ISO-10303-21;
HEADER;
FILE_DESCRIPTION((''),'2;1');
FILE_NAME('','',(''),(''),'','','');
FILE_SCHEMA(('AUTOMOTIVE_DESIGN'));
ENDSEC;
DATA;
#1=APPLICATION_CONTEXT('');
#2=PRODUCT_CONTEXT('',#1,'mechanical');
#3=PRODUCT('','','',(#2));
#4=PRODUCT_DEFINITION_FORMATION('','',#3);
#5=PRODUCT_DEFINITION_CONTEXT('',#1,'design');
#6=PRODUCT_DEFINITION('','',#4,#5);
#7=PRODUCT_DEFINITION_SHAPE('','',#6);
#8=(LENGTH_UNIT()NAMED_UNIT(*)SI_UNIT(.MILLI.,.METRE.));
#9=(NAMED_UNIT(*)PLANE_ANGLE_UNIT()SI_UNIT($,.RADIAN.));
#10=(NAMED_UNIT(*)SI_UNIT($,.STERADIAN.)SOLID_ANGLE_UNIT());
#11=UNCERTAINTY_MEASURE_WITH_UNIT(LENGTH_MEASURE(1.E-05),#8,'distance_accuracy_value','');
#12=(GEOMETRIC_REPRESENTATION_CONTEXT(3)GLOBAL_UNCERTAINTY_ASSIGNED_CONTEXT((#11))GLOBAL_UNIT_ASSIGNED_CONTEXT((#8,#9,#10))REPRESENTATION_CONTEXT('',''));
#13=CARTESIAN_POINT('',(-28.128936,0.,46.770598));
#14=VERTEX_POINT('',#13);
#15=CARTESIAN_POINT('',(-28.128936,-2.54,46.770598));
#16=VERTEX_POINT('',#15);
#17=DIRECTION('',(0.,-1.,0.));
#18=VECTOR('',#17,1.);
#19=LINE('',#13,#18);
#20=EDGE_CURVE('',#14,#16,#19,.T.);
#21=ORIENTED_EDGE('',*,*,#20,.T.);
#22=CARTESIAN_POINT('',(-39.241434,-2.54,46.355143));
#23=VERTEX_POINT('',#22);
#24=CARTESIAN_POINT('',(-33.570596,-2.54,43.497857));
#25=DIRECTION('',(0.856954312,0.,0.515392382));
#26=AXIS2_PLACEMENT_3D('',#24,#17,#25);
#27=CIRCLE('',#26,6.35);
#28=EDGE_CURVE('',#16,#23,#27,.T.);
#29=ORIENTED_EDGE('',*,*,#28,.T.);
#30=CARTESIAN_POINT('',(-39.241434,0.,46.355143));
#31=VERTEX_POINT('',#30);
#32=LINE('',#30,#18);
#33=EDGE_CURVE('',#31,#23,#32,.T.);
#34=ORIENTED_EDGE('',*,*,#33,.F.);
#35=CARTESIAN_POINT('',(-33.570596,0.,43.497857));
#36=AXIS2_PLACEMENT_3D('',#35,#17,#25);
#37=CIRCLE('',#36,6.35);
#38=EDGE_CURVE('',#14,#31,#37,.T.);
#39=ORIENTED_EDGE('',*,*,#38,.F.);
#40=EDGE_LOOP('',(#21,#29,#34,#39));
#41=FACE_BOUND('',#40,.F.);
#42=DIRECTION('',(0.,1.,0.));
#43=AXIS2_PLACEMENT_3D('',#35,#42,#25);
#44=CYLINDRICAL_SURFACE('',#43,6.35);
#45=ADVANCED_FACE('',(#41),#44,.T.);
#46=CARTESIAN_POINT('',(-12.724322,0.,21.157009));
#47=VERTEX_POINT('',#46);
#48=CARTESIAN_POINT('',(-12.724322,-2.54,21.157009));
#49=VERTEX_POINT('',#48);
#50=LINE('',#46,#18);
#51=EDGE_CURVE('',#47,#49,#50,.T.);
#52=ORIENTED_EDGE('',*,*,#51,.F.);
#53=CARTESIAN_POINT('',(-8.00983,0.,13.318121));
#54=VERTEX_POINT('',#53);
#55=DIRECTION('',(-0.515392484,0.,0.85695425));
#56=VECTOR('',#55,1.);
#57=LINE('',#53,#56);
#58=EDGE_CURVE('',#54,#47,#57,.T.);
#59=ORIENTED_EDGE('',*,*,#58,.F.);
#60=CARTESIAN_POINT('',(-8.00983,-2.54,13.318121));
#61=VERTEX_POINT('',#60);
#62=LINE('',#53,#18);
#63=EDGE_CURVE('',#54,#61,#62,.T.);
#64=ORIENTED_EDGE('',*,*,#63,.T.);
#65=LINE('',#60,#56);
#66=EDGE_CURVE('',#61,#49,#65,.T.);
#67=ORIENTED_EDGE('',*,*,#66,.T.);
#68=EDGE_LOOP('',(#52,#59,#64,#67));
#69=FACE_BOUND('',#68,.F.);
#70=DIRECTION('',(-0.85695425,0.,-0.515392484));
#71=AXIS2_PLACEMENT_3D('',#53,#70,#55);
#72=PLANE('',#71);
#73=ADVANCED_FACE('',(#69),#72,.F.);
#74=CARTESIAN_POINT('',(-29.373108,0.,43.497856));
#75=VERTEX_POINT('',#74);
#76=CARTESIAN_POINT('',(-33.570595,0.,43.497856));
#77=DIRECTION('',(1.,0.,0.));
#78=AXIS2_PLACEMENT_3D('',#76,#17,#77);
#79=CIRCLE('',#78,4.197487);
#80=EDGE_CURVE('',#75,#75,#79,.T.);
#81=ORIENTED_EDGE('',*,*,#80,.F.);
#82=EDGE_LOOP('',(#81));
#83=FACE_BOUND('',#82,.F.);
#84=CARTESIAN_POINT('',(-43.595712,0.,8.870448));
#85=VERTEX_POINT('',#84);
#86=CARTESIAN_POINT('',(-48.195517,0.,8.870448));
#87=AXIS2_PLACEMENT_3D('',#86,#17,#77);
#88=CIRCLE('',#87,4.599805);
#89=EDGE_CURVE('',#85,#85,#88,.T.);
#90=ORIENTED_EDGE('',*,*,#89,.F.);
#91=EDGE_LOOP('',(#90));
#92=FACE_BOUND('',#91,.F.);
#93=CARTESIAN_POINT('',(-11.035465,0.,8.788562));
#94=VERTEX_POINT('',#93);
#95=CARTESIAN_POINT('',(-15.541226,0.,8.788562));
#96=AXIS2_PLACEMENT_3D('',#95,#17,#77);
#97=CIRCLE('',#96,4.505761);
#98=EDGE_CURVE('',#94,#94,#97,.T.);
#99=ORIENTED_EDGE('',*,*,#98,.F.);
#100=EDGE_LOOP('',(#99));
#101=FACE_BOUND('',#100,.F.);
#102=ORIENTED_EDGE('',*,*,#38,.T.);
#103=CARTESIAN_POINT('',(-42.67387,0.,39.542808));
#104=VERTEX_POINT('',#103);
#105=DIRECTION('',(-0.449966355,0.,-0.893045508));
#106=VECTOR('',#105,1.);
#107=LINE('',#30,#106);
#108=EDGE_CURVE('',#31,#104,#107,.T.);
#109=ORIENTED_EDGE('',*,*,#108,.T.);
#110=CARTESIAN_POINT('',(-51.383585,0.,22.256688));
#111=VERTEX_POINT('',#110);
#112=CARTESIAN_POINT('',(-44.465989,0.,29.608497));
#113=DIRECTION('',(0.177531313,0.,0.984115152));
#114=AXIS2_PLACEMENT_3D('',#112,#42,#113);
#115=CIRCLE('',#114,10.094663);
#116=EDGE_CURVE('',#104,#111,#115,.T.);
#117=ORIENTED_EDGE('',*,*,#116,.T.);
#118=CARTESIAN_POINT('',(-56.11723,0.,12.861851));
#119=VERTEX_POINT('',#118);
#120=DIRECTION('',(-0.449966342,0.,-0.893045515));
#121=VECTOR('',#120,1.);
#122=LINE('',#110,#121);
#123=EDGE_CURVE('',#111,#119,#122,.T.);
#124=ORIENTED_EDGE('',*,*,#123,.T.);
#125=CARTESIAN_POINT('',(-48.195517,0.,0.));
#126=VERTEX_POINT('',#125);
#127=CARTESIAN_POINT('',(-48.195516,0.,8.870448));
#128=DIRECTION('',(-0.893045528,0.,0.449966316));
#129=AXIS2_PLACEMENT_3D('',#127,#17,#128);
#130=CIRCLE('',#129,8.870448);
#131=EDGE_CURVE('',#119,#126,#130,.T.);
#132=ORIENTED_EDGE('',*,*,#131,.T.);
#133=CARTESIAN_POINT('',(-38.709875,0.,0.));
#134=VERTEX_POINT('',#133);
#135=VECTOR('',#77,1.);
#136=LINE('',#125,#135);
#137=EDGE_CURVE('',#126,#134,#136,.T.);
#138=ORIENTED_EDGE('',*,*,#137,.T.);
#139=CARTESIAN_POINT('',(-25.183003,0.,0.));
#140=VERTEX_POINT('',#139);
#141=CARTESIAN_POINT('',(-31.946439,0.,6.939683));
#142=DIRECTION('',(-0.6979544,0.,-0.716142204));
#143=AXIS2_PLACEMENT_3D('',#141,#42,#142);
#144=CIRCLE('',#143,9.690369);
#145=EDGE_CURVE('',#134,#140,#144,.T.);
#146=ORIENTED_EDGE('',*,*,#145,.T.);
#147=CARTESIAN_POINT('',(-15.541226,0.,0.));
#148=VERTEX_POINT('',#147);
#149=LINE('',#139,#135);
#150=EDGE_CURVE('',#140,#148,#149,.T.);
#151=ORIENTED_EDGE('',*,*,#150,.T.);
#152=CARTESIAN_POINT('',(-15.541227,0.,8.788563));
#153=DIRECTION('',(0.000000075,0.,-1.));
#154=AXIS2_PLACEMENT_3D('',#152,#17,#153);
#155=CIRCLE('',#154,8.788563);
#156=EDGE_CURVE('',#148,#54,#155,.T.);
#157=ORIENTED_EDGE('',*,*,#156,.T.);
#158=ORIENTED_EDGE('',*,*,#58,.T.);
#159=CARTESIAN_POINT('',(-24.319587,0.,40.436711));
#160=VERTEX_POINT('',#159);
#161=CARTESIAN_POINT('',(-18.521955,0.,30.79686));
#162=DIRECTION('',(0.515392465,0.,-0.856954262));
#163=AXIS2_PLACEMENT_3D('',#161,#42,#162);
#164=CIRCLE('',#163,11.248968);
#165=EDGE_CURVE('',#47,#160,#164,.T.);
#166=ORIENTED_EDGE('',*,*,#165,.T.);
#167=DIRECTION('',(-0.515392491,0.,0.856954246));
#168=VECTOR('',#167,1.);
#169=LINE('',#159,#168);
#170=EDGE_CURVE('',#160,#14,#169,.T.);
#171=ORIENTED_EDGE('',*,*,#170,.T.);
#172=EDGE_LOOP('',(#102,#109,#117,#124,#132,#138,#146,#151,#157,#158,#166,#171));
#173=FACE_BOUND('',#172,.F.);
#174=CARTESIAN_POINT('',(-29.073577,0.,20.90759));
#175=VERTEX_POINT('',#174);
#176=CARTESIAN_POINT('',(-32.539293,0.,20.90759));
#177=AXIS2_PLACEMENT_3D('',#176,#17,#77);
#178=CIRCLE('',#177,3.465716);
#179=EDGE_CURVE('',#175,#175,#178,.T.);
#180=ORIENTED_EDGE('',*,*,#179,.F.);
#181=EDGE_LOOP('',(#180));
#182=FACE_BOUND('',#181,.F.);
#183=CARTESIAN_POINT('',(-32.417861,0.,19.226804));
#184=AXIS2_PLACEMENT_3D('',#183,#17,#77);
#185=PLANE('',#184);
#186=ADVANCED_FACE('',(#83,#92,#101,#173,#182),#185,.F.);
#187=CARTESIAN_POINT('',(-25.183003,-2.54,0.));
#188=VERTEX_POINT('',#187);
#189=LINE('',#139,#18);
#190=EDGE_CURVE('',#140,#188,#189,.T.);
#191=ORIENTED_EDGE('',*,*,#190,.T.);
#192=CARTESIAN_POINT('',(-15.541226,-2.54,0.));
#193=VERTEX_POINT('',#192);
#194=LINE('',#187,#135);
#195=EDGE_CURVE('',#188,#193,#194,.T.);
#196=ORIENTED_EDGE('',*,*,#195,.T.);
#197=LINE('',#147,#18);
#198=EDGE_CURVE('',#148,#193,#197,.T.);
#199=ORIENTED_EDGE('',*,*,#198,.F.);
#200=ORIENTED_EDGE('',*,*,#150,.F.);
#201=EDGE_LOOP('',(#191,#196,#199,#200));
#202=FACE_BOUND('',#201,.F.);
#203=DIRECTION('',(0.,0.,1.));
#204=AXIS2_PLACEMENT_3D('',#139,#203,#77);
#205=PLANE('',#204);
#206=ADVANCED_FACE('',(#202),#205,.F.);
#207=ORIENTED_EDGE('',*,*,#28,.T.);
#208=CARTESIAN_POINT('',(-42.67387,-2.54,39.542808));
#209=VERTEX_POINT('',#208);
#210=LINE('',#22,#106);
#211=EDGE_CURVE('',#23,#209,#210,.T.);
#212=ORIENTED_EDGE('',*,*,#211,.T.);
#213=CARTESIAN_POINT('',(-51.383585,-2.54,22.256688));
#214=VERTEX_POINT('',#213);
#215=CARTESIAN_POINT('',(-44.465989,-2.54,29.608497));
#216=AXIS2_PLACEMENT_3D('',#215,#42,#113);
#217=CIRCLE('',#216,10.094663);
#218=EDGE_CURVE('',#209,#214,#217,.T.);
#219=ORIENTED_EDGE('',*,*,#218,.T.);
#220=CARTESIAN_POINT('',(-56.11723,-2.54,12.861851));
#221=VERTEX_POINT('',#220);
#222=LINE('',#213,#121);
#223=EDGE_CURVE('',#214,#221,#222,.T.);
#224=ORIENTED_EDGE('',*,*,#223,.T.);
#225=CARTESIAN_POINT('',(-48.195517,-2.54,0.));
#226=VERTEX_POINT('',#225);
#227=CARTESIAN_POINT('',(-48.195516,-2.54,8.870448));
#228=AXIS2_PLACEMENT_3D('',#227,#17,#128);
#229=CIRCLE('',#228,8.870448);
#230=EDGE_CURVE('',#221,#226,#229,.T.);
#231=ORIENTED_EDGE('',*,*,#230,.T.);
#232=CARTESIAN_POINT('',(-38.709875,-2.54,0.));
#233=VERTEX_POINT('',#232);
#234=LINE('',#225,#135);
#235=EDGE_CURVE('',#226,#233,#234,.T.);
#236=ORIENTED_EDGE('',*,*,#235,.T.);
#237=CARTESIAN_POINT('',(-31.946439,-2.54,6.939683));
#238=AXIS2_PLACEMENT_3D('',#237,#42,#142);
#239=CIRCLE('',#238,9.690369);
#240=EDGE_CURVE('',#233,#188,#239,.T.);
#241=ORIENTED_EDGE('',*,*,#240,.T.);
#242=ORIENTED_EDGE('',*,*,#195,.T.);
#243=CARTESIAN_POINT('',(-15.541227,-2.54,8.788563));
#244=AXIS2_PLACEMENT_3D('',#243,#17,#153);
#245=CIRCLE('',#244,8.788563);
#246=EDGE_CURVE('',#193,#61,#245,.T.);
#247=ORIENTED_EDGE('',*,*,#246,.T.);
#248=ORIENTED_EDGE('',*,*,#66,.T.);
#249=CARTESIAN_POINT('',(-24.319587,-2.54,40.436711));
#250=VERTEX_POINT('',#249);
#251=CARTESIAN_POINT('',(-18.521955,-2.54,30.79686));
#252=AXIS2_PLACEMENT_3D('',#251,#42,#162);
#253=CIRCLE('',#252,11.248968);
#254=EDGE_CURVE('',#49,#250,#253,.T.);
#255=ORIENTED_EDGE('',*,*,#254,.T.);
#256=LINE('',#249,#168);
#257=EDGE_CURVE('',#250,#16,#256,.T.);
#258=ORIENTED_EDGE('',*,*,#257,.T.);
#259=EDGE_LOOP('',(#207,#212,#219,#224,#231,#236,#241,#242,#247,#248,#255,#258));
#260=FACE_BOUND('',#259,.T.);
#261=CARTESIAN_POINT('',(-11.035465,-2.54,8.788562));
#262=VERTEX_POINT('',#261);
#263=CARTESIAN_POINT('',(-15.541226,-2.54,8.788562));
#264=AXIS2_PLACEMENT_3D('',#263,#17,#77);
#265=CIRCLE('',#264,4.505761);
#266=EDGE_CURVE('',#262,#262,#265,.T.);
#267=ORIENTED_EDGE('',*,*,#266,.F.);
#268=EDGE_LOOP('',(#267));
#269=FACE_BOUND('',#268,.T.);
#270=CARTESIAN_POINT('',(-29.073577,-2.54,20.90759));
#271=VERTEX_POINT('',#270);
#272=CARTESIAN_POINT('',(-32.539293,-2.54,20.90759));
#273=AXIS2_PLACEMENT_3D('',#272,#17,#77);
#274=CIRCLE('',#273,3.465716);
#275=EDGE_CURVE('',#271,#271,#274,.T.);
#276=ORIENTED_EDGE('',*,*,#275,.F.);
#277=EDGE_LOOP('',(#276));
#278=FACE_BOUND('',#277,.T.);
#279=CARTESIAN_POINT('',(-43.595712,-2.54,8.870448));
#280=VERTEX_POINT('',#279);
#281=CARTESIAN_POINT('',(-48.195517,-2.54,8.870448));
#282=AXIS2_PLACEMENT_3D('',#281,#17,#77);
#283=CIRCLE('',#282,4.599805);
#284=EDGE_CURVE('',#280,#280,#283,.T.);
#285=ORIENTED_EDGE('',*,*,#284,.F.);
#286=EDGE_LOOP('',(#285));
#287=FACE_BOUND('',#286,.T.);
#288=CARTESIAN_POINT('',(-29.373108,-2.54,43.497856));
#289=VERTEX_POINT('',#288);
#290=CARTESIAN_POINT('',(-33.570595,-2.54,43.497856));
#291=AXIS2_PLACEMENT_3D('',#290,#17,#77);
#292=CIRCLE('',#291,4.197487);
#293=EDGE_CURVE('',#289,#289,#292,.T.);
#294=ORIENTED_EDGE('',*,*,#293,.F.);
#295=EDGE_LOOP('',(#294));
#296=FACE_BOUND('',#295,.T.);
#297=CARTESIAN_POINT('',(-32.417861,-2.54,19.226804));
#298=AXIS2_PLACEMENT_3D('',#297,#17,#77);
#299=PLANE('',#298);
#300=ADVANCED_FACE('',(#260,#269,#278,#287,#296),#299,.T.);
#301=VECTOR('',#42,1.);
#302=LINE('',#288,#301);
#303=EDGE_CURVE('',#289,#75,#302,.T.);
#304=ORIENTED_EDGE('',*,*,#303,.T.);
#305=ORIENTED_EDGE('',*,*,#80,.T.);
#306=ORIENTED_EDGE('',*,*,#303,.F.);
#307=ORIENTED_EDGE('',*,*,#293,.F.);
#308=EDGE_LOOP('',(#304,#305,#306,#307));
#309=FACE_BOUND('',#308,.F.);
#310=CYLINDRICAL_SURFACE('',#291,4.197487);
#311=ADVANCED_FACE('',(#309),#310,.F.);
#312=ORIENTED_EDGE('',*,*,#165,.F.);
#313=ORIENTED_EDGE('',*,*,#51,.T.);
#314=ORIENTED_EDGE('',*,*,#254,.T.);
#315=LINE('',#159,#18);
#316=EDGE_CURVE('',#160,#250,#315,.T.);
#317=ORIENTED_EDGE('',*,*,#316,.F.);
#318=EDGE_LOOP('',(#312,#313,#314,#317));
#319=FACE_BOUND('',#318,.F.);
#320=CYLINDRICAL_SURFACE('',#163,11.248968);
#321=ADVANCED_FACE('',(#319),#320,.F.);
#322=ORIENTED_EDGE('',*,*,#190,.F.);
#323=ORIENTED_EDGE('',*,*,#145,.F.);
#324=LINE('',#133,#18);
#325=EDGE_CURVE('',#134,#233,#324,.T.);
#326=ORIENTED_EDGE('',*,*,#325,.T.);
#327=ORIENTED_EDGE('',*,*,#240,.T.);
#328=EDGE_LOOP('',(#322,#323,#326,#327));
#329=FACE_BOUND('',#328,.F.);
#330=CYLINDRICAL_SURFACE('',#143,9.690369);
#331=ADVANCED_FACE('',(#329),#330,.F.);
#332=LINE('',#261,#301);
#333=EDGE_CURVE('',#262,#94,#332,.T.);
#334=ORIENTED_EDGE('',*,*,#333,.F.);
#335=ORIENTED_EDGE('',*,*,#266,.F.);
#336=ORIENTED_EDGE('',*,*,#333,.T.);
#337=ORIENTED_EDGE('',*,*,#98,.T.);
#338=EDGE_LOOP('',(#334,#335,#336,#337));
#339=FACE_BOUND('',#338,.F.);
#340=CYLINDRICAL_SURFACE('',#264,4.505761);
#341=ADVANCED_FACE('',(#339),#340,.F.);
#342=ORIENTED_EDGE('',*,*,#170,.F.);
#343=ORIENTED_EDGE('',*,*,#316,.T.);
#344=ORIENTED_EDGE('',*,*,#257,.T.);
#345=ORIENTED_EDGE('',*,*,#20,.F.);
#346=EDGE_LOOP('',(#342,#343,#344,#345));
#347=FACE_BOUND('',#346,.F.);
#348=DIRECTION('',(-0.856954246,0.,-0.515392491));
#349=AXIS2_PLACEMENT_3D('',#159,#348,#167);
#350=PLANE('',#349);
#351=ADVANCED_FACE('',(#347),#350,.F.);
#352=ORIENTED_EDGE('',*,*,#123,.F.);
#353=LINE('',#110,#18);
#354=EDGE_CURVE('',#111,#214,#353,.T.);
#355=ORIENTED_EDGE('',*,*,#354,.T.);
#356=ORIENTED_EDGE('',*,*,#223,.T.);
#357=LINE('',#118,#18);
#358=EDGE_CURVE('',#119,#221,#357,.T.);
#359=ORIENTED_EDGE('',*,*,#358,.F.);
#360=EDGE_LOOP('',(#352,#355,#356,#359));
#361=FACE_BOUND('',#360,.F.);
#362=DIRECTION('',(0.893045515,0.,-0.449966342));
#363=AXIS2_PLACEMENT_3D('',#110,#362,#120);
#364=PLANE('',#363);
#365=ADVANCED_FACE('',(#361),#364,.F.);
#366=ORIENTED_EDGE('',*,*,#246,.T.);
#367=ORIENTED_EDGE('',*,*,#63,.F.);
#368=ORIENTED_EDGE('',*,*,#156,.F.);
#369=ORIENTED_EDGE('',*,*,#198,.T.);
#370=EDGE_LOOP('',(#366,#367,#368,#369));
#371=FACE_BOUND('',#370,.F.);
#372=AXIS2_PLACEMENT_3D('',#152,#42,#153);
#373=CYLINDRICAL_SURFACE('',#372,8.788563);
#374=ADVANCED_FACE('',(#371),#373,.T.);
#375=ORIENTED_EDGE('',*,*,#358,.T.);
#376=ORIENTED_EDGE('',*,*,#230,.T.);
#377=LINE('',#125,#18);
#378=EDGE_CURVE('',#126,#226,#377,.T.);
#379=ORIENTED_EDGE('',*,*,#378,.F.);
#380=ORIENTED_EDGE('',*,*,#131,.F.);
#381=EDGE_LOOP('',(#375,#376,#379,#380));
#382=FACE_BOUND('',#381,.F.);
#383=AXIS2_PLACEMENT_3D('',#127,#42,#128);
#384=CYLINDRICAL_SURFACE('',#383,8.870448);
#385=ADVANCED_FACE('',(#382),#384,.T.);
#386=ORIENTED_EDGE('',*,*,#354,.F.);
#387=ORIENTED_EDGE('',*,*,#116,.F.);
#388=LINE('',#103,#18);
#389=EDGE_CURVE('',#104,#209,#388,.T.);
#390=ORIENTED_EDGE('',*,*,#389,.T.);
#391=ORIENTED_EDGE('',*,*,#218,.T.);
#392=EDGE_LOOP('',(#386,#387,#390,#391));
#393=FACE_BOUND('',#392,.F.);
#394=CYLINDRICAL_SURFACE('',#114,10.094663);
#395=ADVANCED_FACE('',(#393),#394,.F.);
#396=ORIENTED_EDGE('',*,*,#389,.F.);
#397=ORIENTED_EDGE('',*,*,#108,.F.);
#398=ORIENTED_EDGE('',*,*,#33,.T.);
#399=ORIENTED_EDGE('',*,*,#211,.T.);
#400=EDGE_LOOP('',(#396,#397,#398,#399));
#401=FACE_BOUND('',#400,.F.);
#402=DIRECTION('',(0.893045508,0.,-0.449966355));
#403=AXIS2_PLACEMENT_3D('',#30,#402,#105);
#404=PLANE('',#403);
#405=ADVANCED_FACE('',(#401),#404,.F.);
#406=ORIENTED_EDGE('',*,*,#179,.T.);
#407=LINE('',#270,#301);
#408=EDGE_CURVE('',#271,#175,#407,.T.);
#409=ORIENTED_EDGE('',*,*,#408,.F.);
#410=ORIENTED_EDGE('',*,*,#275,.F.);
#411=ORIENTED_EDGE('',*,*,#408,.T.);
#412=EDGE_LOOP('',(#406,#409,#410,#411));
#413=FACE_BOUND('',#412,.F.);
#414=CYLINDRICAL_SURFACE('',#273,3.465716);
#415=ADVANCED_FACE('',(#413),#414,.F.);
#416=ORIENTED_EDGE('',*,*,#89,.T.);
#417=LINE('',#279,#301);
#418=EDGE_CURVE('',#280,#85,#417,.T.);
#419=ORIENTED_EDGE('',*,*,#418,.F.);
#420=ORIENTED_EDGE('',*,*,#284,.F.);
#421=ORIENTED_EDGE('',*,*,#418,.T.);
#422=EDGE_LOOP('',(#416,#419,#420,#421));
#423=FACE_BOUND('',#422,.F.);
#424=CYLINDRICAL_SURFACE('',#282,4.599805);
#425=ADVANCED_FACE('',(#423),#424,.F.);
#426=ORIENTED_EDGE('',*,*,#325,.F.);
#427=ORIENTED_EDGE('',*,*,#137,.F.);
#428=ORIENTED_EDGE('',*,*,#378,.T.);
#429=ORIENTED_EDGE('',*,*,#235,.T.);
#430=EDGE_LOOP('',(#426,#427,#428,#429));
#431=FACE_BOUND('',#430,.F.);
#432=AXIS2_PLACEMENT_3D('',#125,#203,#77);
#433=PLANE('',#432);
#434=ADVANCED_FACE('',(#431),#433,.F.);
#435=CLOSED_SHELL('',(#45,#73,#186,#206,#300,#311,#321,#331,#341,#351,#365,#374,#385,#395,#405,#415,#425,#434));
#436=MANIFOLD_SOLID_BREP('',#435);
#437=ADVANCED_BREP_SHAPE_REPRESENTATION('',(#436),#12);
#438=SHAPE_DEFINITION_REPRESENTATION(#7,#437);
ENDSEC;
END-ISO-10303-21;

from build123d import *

# Parameters (mm, degrees)
F1_DEPTH = 2.54
F2_R     = 3.465716
F3_DEPTH = 25.4
F4_R     = 4.599805
F4_R_2   = 4.505761
F5_DEPTH = 25.4
F6_R     = 4.197487
F7_DEPTH = 25.4


with BuildPart() as f1:
    # F0 (on Front) → F1 (new body)
    with BuildSketch(Plane.XZ):
        with BuildLine():
            ThreePointArc((-15.541226, 0), (-7.891157, 4.462448), (-8.00983, 13.318121))
            Line((-8.00983, 13.318121), (-12.724322, 21.157009))
            ThreePointArc((-12.724322, 21.157009), (-28.161806, 24.999227), (-24.319587, 40.436711))
            Line((-24.319587, 40.436711), (-28.128936, 46.770598))
            ThreePointArc((-28.128936, 46.770598), (-33.807833, 49.843423), (-39.241434, 46.355143))
            Line((-39.241434, 46.355143), (-42.67387, 39.542808))
            ThreePointArc((-42.67387, 39.542808), (-35.450995, 25.066238), (-51.383585, 22.256688))
            Line((-51.383585, 22.256688), (-56.11723, 12.861851))
            ThreePointArc((-56.11723, 12.861851), (-55.748343, 4.218604), (-48.195517, 0))
            Line((-48.195517, 0), (-38.709875, 0))
            ThreePointArc((-38.709875, 0), (-31.946439, 16.630052), (-25.183003, 0))
            Line((-25.183003, 0), (-15.541226, 0))
        make_face()
    extrude(amount=F1_DEPTH)

    # F2 (on face) → F3 (cut)
    with BuildSketch(Plane.XZ.offset(2.54)):
        with Locations((-32.539293, 20.90759)):
            Circle(F2_R)
    extrude(amount=-F3_DEPTH, mode=Mode.SUBTRACT)

    # F4 (on face) → F5 (cut)
    with BuildSketch(Plane.XZ.offset(2.54)):
        with Locations((-48.195517, 8.870448)):
            Circle(F4_R)
        with Locations((-15.541226, 8.788562)):
            Circle(F4_R_2)
    extrude(amount=-F5_DEPTH, mode=Mode.SUBTRACT)

    # F6 (on face) → F7 (cut)
    with BuildSketch(Plane.XZ.offset(2.54)):
        with Locations((-33.570595, 43.497856)):
            Circle(F6_R)
    extrude(amount=-F7_DEPTH, mode=Mode.SUBTRACT)


solid = f1.part
